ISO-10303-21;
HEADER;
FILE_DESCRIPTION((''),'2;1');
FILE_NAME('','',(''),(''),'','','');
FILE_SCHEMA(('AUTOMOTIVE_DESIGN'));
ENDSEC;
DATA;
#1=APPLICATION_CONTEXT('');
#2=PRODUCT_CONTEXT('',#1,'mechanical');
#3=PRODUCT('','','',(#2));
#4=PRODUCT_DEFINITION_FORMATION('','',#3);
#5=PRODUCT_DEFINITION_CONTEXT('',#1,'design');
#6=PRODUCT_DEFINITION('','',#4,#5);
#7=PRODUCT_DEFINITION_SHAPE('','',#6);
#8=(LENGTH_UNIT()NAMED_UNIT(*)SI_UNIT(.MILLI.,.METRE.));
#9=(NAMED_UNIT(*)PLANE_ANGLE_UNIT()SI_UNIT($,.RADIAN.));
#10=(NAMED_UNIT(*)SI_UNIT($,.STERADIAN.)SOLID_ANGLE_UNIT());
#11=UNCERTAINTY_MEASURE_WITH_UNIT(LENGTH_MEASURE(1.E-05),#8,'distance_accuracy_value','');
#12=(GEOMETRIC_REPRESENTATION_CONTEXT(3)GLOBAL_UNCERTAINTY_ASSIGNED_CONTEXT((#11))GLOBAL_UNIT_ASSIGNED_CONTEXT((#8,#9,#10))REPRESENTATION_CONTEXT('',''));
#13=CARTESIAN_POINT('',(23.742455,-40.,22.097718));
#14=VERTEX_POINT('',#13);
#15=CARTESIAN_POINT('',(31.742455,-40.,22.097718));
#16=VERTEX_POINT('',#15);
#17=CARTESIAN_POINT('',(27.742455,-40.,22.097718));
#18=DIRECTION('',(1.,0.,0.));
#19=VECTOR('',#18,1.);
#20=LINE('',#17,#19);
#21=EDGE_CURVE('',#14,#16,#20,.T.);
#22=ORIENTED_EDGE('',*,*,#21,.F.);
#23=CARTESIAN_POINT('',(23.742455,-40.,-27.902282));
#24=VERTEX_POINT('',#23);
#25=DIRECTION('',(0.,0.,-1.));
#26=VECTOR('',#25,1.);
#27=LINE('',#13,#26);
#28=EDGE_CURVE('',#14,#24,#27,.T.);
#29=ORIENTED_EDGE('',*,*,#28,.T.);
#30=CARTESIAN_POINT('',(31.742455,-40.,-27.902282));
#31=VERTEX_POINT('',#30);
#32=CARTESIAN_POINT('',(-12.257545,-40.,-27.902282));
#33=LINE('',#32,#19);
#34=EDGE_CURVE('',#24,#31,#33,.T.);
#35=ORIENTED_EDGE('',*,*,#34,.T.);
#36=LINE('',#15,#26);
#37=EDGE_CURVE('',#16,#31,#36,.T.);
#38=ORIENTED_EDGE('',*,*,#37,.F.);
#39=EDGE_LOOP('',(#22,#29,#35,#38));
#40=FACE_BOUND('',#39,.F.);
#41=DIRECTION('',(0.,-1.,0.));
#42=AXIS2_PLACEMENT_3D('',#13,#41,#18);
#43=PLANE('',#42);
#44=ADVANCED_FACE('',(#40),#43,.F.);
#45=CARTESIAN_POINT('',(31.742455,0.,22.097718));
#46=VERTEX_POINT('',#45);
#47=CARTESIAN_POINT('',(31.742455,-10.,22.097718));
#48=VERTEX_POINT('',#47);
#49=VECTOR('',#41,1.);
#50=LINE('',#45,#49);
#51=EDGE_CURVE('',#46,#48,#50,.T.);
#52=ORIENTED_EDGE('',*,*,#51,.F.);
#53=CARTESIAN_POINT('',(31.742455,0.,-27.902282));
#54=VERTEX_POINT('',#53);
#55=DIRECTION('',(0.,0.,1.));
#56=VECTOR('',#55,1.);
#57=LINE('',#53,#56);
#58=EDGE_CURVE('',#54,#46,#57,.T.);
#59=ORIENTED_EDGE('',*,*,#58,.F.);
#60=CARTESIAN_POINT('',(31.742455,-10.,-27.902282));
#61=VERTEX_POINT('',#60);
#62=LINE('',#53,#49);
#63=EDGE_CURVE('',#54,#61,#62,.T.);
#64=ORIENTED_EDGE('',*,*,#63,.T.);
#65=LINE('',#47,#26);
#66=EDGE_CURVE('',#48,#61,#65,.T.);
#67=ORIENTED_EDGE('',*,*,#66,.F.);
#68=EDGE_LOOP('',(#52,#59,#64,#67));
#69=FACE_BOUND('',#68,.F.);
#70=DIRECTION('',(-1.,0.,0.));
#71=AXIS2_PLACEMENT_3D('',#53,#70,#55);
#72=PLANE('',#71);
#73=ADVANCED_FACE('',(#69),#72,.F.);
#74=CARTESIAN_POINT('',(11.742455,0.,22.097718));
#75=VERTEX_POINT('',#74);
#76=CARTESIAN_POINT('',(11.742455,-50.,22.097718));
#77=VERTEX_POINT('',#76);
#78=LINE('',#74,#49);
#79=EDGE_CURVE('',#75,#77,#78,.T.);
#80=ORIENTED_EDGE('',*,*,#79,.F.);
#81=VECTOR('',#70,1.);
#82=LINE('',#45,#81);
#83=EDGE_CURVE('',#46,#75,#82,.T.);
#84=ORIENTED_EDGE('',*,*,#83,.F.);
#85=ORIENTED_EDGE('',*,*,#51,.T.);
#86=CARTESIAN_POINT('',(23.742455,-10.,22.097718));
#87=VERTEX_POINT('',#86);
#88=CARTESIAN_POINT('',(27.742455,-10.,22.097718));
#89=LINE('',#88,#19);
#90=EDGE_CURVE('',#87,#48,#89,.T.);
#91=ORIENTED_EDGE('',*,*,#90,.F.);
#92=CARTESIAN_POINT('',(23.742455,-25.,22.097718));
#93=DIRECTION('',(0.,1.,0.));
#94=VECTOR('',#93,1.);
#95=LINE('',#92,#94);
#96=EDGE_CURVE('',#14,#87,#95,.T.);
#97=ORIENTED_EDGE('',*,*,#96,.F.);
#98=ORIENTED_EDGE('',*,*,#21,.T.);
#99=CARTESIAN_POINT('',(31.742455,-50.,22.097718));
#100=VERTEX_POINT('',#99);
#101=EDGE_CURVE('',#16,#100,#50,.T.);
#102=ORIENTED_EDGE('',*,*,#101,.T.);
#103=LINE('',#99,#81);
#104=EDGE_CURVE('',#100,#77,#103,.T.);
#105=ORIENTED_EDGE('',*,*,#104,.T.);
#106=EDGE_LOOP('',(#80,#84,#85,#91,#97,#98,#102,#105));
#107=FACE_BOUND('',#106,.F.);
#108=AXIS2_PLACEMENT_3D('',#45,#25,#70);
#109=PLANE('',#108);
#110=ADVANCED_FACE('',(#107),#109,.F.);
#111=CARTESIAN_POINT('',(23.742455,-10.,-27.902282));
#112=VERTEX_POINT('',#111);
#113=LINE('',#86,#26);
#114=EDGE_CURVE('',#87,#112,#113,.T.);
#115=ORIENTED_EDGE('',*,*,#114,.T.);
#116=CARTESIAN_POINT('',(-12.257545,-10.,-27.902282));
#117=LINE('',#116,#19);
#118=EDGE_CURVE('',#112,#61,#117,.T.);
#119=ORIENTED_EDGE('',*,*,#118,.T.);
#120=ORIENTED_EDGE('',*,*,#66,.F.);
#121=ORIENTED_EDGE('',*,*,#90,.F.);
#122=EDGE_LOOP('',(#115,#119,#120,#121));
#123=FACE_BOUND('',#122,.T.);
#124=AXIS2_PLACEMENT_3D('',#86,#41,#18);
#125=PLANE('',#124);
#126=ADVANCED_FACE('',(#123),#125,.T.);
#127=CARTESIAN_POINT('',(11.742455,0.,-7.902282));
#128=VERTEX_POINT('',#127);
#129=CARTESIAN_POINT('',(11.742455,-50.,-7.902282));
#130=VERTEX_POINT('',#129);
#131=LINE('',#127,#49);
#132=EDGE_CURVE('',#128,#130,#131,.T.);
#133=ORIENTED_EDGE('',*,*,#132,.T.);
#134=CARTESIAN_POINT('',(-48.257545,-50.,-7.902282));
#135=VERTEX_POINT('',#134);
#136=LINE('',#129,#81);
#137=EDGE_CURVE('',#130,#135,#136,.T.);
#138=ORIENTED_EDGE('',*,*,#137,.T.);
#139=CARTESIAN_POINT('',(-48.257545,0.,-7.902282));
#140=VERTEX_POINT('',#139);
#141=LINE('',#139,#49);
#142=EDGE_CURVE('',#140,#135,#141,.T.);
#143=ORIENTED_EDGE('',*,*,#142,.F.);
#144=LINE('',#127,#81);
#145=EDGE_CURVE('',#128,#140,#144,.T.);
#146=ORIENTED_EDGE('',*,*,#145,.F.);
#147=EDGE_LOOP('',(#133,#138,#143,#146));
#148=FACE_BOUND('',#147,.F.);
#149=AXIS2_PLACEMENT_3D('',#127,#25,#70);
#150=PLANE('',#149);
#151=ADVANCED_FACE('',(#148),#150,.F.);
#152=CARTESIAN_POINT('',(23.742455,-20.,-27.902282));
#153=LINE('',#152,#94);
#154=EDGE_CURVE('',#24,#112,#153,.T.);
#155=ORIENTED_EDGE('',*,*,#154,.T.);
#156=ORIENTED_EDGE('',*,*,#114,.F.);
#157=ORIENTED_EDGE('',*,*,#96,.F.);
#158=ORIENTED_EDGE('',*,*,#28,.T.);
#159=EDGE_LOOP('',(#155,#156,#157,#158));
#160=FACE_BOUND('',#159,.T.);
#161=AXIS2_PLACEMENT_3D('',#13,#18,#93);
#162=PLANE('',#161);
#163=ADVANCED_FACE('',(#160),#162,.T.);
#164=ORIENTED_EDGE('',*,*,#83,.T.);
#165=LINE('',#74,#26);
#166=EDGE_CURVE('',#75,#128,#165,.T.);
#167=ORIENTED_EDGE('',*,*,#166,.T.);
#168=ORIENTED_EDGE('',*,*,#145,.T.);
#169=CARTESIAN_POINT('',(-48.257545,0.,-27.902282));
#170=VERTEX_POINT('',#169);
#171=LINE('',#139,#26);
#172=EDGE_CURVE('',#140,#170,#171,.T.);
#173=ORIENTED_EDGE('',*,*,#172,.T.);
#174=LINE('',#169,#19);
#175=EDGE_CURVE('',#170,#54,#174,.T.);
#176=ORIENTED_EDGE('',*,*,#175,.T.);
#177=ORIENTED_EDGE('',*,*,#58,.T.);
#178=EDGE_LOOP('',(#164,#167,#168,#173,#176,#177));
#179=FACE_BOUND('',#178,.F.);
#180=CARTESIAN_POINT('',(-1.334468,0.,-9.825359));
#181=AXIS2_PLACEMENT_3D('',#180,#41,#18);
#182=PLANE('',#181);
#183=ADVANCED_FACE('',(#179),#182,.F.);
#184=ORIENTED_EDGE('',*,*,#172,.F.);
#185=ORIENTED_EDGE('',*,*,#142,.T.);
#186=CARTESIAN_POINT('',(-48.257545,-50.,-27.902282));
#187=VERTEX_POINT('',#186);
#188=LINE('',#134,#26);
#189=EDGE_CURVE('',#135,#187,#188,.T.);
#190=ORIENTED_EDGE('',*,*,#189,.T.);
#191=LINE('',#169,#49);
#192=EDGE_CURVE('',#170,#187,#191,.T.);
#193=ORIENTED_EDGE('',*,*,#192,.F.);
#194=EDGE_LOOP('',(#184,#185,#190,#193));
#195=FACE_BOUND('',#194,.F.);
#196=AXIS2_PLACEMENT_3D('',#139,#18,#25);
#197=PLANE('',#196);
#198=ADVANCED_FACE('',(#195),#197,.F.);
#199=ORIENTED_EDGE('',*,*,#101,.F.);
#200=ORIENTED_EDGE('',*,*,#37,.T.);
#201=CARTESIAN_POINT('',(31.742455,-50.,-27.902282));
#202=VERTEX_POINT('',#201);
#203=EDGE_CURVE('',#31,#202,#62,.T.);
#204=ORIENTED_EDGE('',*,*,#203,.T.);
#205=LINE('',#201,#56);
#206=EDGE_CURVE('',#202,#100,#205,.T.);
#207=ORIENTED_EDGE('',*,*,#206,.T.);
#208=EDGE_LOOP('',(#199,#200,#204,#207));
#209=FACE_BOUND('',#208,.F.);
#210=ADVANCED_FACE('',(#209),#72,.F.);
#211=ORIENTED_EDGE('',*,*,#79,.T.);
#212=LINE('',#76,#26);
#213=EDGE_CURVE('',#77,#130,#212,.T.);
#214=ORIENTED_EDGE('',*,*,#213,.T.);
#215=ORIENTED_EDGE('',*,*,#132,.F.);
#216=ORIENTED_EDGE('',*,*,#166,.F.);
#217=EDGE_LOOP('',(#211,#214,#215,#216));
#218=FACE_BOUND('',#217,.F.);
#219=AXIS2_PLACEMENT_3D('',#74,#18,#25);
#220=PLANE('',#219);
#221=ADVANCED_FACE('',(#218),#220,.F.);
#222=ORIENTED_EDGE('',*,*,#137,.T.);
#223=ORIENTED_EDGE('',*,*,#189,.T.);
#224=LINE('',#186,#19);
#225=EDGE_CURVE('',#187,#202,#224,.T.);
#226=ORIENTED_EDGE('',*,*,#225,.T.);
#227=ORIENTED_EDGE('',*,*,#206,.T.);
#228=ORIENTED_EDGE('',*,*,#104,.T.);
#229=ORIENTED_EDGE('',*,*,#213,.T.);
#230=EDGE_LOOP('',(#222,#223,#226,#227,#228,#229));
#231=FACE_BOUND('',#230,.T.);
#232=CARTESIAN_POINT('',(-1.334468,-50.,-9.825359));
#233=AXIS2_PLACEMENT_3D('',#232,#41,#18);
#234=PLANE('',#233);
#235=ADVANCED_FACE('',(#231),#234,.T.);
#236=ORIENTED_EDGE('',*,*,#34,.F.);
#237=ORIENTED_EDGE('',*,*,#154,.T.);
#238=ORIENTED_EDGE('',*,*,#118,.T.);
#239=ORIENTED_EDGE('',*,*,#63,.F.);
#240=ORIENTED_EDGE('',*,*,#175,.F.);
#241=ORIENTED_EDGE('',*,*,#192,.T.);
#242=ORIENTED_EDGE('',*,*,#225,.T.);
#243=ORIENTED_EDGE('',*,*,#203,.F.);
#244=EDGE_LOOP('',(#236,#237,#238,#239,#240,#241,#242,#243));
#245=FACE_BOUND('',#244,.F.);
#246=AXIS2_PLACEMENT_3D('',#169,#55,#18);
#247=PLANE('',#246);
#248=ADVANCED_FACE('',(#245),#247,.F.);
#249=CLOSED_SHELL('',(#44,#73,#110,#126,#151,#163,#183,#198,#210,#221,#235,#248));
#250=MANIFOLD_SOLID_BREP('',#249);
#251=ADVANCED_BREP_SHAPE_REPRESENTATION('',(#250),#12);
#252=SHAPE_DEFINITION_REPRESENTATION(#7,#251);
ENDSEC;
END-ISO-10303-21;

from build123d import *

# Parameters (mm, degrees)
F1_DEPTH = 50
F2_W     = 8
F2_H     = 30
F3_DEPTH = 57.2


with BuildPart() as f1:
    # F0 (on Front) → F1 (new body)
    with BuildSketch(Plane.XZ):
        Polygon((11.742455, -7.902282), (-48.257545, -7.902282), (-48.257545, -27.902282), (31.742455, -27.902282), (31.742455, 22.097718), (11.742455, 22.097718), align=None)
    extrude(amount=F1_DEPTH)

    # F2 (on face) → F3 (cut)
    with BuildSketch(Plane.XY.offset(22.097718)):
        with Locations((27.742455, -25)):
            Rectangle(F2_W, F2_H)
    extrude(amount=-F3_DEPTH, mode=Mode.SUBTRACT)


solid = f1.part
